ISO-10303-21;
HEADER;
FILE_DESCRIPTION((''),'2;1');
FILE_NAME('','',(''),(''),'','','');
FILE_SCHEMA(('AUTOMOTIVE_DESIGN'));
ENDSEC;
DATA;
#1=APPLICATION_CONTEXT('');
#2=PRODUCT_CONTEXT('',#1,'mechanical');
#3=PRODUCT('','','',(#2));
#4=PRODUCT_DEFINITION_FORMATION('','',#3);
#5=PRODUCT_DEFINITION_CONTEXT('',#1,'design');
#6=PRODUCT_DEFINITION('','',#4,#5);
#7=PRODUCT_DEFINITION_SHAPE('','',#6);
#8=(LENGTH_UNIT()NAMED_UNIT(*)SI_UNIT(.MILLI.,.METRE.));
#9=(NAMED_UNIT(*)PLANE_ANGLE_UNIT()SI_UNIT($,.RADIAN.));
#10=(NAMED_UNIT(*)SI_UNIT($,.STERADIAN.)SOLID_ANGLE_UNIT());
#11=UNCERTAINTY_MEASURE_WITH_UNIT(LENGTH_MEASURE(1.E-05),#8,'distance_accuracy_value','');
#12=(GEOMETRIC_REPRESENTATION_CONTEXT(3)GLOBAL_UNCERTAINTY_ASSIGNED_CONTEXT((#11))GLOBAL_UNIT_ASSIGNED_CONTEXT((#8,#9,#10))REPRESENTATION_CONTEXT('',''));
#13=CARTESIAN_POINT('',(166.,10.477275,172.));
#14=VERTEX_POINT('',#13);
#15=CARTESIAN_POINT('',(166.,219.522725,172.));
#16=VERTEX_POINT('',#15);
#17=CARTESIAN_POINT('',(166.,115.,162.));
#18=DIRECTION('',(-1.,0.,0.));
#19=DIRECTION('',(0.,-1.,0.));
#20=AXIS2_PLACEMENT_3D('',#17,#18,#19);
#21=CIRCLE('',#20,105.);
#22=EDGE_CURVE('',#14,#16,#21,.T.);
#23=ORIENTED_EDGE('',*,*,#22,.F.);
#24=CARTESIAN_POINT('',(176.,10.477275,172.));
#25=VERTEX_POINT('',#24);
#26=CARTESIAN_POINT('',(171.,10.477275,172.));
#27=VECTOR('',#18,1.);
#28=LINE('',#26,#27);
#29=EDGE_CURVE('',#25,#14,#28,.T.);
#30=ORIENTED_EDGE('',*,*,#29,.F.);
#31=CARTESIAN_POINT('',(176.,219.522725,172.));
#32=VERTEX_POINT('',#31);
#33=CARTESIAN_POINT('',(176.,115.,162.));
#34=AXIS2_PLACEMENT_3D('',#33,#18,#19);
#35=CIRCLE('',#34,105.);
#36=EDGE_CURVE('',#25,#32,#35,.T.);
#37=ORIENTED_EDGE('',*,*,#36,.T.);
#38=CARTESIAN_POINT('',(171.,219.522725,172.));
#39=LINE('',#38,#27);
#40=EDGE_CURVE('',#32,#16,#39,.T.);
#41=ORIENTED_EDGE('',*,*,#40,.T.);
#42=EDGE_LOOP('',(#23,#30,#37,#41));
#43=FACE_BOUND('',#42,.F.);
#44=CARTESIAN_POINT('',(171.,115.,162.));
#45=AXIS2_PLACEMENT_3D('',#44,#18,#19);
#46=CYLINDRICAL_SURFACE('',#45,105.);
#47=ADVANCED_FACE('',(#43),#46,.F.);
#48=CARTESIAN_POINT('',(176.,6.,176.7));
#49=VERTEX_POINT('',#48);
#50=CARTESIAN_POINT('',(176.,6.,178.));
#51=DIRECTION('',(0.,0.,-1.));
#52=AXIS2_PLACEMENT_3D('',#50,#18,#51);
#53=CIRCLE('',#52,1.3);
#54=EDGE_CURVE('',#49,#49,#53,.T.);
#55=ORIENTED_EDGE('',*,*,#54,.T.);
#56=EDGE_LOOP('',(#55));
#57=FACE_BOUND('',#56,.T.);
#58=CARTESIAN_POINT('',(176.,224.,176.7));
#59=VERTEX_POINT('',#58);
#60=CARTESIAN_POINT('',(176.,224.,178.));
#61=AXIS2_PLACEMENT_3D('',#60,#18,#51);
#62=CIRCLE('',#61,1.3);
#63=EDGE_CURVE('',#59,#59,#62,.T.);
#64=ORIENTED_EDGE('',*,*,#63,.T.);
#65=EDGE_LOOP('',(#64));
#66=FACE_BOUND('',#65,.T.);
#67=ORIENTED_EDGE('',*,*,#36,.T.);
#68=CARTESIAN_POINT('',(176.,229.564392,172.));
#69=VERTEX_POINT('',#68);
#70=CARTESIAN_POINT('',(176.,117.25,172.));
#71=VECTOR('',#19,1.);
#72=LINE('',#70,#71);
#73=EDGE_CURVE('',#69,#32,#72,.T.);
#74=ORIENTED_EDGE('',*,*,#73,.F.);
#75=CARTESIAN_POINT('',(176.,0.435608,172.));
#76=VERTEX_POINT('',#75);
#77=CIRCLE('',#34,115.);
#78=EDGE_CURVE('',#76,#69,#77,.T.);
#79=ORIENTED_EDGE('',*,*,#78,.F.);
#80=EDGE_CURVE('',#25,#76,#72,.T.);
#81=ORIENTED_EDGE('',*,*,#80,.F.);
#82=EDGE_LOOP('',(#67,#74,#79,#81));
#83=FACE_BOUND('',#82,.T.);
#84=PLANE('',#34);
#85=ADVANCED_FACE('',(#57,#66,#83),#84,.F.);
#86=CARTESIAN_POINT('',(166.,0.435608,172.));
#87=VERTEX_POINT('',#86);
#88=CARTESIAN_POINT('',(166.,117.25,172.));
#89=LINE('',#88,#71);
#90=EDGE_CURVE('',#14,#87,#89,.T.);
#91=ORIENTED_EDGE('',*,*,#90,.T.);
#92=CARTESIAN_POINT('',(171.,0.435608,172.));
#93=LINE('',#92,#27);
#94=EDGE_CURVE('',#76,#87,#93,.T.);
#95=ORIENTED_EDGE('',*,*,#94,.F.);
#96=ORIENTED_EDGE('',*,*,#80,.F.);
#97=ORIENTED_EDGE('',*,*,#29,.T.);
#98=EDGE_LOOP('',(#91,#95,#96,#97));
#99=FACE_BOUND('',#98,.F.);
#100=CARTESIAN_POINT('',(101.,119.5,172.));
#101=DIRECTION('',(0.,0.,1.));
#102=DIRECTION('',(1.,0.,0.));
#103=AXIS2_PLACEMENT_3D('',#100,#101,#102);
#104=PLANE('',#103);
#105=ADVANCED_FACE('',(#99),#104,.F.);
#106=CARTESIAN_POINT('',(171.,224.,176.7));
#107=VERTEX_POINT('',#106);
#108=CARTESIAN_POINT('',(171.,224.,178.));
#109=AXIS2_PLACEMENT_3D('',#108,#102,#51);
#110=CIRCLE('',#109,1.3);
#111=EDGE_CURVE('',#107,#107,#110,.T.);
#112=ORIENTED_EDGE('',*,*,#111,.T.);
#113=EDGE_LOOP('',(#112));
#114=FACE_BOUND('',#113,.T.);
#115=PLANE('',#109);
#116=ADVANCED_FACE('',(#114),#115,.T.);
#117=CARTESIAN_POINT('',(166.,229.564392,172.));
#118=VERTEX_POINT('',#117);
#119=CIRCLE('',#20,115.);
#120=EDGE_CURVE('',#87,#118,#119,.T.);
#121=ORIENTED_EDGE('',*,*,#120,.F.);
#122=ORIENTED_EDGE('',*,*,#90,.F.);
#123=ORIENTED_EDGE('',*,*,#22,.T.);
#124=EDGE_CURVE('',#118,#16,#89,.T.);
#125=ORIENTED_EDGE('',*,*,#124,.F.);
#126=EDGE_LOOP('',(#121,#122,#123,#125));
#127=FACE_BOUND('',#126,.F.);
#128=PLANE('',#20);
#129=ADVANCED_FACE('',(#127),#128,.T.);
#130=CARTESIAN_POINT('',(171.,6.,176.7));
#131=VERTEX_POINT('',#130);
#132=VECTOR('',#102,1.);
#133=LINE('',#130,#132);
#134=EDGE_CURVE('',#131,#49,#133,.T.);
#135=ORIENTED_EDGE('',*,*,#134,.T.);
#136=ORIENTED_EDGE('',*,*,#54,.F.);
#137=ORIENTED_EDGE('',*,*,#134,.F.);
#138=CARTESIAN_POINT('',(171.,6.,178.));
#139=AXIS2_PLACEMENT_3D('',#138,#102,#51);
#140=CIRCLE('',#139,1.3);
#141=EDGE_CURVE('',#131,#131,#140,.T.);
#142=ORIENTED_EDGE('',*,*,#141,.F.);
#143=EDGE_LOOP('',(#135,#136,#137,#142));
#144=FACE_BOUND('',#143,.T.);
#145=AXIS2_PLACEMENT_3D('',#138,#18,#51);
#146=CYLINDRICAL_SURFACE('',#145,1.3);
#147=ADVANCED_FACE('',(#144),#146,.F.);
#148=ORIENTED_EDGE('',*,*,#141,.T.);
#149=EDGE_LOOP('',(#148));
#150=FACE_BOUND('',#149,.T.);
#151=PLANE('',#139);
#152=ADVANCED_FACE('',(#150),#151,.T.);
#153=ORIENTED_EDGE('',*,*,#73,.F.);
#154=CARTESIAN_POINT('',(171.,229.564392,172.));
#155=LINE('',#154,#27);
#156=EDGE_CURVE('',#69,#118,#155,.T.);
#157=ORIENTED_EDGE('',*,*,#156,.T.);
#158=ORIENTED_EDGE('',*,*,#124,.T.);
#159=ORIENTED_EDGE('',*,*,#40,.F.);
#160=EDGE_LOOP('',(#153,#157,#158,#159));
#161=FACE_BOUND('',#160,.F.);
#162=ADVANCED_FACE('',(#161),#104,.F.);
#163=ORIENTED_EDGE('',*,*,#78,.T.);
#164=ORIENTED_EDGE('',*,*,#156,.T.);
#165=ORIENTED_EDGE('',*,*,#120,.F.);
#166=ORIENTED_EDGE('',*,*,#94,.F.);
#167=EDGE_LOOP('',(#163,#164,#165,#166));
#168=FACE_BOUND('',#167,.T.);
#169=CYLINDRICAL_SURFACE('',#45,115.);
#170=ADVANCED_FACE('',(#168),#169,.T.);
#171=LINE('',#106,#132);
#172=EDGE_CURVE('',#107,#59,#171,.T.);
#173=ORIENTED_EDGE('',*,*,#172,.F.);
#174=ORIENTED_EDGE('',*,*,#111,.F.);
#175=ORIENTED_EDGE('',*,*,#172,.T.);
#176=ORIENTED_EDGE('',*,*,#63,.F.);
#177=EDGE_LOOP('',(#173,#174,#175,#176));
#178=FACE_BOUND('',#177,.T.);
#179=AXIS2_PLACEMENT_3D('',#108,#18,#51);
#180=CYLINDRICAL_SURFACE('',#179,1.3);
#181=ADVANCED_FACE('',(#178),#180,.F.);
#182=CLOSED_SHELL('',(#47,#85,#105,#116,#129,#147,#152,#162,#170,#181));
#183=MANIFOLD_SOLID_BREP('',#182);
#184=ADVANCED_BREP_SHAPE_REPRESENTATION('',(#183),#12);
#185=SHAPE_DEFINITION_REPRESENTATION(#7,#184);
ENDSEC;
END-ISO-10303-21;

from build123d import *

# Parameters (mm, degrees)
BOX105_W          = 202
BOX105_H          = 239
BOX105_DEPTH      = 10
CYLINDER080_R     = 1.3
CYLINDER080_DEPTH = 331
CYLINDER078_R     = 1.3
CYLINDER078_DEPTH = 331
CYLINDER079_W     = 105
CYLINDER079_H     = 10
CYLINDER079_ANGLE = 180
CYLINDER077_W     = 115
CYLINDER077_H     = 10
CYLINDER077_ANGLE = 180


with BuildPart() as cubo068:
    # Box105 → Box105 (new body)
    with BuildSketch(Plane.XY.offset(162)):
        with Locations((101, 119.5)):
            Rectangle(BOX105_W, BOX105_H)
    extrude(amount=BOX105_DEPTH)


with BuildPart() as cilindro080:
    # Cylinder080 → Cylinder080 (new body)
    with BuildSketch(Plane(origin=(5, 224, 178), x_dir=(0, 0, -1), z_dir=(1, 0, 0))):
        Circle(CYLINDER080_R)
    extrude(amount=CYLINDER080_DEPTH)


with BuildPart() as cilindro078:
    # Cylinder078 → Cylinder078 (new body)
    with BuildSketch(Plane(origin=(5, 6, 178), x_dir=(0, 0, -1), z_dir=(1, 0, 0))):
        Circle(CYLINDER078_R)
    extrude(amount=CYLINDER078_DEPTH)


with BuildPart() as cilindro079:
    # Cylinder079 → Cylinder079 (revolve)
    with BuildSketch(Plane(origin=(-3, 115, 171), x_dir=(0, -1, 0), z_dir=(0, 0, -1))):
        with Locations((52.5, 5)):
            Rectangle(CYLINDER079_W, CYLINDER079_H)
    revolve(axis=Axis((-3, 115, 171), (-1, 0, 0)), revolution_arc=CYLINDER079_ANGLE)


with BuildPart() as cut091:
    # Cylinder077 → Cylinder077 (revolve)
    with BuildSketch(Plane(origin=(-3, 115, 171), x_dir=(0, -1, 0), z_dir=(0, 0, -1))):
        with Locations((57.5, 5)):
            Rectangle(CYLINDER077_W, CYLINDER077_H)
    revolve(axis=Axis((-3, 115, 171), (-1, 0, 0)), revolution_arc=CYLINDER077_ANGLE)

    # Cut086: cut Cilindro079
    add(cilindro079.part, mode=Mode.SUBTRACT)


with BuildPart() as cut091_1:
    # Cut086 placement: moved
    add(cut091.part.moved(Location((13, 0, -9))))

    # Cut087: cut Cilindro078
    add(cilindro078.part, mode=Mode.SUBTRACT)

    # Cut085: cut Cilindro080
    add(cilindro080.part, mode=Mode.SUBTRACT)


with BuildPart() as cut091_2:
    # Cut085 placement: moved
    add(cut091_1.part.moved(Location((166, 0, 0))))

    # Cut091: cut Cubo068
    add(cubo068.part, mode=Mode.SUBTRACT)


solid = cut091_2.part
